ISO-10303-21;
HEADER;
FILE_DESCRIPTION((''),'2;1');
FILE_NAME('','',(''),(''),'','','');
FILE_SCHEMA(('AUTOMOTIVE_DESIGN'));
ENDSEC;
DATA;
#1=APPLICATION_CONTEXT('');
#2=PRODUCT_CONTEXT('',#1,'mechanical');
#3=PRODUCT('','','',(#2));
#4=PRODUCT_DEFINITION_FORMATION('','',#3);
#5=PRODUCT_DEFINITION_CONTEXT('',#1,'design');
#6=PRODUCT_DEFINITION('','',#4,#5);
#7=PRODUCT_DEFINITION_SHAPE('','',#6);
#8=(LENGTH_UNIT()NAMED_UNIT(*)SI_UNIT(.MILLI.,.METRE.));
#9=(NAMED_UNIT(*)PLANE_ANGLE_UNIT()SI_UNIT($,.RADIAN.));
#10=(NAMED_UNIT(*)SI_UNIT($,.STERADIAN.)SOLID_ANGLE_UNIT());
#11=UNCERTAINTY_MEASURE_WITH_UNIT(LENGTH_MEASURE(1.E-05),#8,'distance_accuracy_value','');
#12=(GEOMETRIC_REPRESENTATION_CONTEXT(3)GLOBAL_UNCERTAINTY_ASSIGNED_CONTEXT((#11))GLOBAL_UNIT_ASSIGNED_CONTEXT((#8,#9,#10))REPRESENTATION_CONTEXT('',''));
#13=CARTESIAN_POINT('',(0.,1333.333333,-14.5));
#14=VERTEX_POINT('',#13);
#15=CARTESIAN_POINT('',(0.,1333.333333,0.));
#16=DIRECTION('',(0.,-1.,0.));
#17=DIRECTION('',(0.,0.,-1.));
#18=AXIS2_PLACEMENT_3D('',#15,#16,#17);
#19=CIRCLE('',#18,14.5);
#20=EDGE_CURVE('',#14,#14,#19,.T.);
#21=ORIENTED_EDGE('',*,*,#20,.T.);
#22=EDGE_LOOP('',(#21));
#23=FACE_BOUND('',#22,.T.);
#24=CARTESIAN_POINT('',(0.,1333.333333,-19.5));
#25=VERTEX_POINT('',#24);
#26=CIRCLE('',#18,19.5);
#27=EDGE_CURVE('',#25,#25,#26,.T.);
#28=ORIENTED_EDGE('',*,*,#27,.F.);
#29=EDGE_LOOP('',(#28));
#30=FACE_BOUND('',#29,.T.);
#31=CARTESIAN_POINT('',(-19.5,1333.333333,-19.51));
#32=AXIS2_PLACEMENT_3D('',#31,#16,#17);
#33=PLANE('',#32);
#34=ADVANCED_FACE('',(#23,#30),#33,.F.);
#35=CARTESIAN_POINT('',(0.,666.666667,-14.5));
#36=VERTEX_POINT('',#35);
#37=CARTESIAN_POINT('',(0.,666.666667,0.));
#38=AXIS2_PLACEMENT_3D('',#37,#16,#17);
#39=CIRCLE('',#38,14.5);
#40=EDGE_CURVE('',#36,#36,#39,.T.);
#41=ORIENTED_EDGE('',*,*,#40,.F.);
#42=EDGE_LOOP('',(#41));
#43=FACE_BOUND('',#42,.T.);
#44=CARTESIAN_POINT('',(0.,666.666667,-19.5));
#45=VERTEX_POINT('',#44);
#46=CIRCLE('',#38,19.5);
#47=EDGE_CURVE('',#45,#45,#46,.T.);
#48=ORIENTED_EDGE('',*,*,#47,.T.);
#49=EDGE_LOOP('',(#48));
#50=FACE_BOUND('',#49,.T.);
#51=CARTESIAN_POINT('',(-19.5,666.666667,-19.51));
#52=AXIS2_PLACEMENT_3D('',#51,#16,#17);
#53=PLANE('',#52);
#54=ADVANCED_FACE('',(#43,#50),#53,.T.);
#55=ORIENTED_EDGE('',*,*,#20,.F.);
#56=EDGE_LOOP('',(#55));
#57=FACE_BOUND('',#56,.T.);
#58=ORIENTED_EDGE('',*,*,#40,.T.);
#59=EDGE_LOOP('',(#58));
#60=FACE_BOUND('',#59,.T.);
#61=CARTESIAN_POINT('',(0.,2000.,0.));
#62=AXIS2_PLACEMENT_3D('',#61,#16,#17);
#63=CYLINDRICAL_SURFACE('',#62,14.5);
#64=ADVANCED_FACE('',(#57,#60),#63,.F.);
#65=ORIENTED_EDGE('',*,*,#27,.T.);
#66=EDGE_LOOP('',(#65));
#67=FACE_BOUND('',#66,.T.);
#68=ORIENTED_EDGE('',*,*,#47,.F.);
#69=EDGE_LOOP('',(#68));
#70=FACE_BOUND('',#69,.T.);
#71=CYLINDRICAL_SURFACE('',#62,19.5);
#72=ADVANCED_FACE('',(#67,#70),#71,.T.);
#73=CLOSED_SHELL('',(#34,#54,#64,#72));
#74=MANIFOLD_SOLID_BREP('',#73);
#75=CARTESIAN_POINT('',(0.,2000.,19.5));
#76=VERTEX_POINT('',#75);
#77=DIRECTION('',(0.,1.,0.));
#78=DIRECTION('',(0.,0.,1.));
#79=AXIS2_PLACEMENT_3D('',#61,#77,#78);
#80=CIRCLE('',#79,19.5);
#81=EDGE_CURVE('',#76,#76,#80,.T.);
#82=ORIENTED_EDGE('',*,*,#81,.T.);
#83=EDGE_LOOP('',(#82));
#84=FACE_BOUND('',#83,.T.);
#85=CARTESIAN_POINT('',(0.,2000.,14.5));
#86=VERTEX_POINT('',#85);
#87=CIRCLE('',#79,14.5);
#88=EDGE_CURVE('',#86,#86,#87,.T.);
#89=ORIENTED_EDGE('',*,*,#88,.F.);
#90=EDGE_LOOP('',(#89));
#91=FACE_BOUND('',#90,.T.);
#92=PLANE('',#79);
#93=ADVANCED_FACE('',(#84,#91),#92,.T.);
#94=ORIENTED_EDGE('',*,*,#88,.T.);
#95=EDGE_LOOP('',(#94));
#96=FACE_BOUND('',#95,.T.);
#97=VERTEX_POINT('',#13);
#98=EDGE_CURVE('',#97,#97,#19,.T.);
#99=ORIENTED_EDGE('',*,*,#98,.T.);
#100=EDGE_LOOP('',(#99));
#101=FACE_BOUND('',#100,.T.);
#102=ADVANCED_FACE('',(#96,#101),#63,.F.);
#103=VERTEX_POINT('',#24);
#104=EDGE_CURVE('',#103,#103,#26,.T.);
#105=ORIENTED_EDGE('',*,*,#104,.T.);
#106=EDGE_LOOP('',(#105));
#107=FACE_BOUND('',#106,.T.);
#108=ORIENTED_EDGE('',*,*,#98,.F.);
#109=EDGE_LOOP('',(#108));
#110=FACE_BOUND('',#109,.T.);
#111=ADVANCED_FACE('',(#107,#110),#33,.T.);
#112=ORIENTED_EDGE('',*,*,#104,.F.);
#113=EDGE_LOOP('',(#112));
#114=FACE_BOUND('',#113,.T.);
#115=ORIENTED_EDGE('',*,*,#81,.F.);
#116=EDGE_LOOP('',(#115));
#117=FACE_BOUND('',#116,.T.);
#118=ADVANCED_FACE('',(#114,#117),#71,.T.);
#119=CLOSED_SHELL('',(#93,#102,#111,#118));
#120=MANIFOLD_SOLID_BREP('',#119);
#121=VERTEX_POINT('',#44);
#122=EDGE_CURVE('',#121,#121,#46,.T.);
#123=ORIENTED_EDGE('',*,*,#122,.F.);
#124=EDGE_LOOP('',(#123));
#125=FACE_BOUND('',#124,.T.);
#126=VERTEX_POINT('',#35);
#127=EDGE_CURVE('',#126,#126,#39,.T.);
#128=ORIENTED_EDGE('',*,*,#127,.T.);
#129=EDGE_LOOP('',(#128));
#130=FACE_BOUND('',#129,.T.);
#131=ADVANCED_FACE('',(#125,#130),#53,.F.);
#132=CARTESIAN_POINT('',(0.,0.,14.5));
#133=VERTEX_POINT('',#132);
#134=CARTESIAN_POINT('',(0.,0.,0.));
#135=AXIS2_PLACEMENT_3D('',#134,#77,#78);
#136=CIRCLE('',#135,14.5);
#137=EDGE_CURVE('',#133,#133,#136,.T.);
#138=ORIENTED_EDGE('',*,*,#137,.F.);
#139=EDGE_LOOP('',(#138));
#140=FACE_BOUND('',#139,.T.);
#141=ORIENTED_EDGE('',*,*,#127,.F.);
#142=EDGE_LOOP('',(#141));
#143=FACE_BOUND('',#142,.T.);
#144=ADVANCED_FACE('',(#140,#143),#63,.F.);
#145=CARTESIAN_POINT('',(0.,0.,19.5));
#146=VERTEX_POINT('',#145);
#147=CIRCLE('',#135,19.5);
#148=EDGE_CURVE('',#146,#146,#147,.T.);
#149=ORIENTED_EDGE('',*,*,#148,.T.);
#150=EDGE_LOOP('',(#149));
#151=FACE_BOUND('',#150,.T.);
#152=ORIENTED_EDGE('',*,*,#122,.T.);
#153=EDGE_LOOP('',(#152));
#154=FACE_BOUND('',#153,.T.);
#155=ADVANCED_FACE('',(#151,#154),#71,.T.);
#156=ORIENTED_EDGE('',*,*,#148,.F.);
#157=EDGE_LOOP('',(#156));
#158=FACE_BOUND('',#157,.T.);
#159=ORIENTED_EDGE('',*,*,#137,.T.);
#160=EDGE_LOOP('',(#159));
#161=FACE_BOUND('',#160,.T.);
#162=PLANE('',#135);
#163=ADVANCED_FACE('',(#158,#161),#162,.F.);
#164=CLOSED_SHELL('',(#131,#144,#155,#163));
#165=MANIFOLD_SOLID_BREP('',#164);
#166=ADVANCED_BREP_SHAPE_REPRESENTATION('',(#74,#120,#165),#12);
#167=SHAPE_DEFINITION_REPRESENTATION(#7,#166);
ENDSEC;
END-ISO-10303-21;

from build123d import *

# Parameters (mm, degrees)
SKETCH1_R                = 19.5
SKETCH1_R_2              = 14.5
BOSS_EXTRUDE1_DEPTH      = 2000
SPLIT1_SURFACE_1_1_BACK  = 2001.76
SPLIT1_SURFACE_1_1_DEPTH = 4003.52
SPLIT1_SURFACE_1_2_BACK  = 2001.76
SPLIT1_SURFACE_1_2_DEPTH = 4003.52
SPLIT1_SURFACE_2_3_BACK  = 2001.76
SPLIT1_SURFACE_2_3_DEPTH = 4003.52
SPLIT1_SURFACE_2_4_BACK  = 2001.76
SPLIT1_SURFACE_2_4_DEPTH = 4003.52


with BuildPart() as part:
    # Sketch1 → Boss-Extrude1 (new body)
    with BuildSketch(Plane(origin=(0, 0, 0), x_dir=(1, 0, 0), z_dir=(0, 1, 0))):
        with Locations(Location((0, 0, 0), (0, 0, 270))):
            Circle(SKETCH1_R)
        with Locations(Location((0, 0, 0), (0, 0, 270))):
            Circle(SKETCH1_R_2, mode=Mode.SUBTRACT)
    extrude(amount=BOSS_EXTRUDE1_DEPTH)


with BuildPart() as body_2:
    # Split1: the piece behind the surface
    add(part.part)
    # Split1 surface 1: a surface, the sketch's curves swept straight by 4003.52 mm
    with BuildLine(Plane.XY.offset(-SPLIT1_SURFACE_1_1_BACK), mode=Mode.PRIVATE) as split1_surface_1_1_path:
        Line((-19.5, 1333.333333333), (19.5, 1333.333333333))
    split1_surface_1_1 = Shell.extrude(split1_surface_1_1_path.wire(), (0 * SPLIT1_SURFACE_1_1_DEPTH, 0 * SPLIT1_SURFACE_1_1_DEPTH, 1 * SPLIT1_SURFACE_1_1_DEPTH))
    split(bisect_by=split1_surface_1_1, keep=Keep.BOTTOM)


with BuildPart() as part_1:
    add(part.part)

    # Split1: split by a surface, the side it looks to stays
    # Split1 surface 1: a surface, the sketch's curves swept straight by 4003.52 mm
    with BuildLine(Plane.XY.offset(-SPLIT1_SURFACE_1_2_BACK), mode=Mode.PRIVATE) as split1_surface_1_2_path:
        Line((-19.5, 1333.333333333), (19.5, 1333.333333333))
    split1_surface_1_2 = Shell.extrude(split1_surface_1_2_path.wire(), (0 * SPLIT1_SURFACE_1_2_DEPTH, 0 * SPLIT1_SURFACE_1_2_DEPTH, 1 * SPLIT1_SURFACE_1_2_DEPTH))
    split(bisect_by=split1_surface_1_2, keep=Keep.TOP)


with BuildPart() as body_3:
    # Split1 2 body 2: the piece behind the surface
    add(body_2.part)
    # Split1 surface 2: a surface, the sketch's curves swept straight by 4003.52 mm
    with BuildLine(Plane.XY.offset(-SPLIT1_SURFACE_2_3_BACK), mode=Mode.PRIVATE) as split1_surface_2_3_path:
        Line((-19.5, 666.666666667), (19.5, 666.666666667))
    split1_surface_2_3 = Shell.extrude(split1_surface_2_3_path.wire(), (0 * SPLIT1_SURFACE_2_3_DEPTH, 0 * SPLIT1_SURFACE_2_3_DEPTH, 1 * SPLIT1_SURFACE_2_3_DEPTH))
    split(bisect_by=split1_surface_2_3, keep=Keep.BOTTOM)


with BuildPart() as body_2_1:
    add(body_2.part)

    # Split1 2 body 2: split by a surface, the side it looks to stays
    # Split1 surface 2: a surface, the sketch's curves swept straight by 4003.52 mm
    with BuildLine(Plane.XY.offset(-SPLIT1_SURFACE_2_4_BACK), mode=Mode.PRIVATE) as split1_surface_2_4_path:
        Line((-19.5, 666.666666667), (19.5, 666.666666667))
    split1_surface_2_4 = Shell.extrude(split1_surface_2_4_path.wire(), (0 * SPLIT1_SURFACE_2_4_DEPTH, 0 * SPLIT1_SURFACE_2_4_DEPTH, 1 * SPLIT1_SURFACE_2_4_DEPTH))
    split(bisect_by=split1_surface_2_4, keep=Keep.TOP)


solid = Compound([part_1.part, body_3.part, body_2_1.part])
